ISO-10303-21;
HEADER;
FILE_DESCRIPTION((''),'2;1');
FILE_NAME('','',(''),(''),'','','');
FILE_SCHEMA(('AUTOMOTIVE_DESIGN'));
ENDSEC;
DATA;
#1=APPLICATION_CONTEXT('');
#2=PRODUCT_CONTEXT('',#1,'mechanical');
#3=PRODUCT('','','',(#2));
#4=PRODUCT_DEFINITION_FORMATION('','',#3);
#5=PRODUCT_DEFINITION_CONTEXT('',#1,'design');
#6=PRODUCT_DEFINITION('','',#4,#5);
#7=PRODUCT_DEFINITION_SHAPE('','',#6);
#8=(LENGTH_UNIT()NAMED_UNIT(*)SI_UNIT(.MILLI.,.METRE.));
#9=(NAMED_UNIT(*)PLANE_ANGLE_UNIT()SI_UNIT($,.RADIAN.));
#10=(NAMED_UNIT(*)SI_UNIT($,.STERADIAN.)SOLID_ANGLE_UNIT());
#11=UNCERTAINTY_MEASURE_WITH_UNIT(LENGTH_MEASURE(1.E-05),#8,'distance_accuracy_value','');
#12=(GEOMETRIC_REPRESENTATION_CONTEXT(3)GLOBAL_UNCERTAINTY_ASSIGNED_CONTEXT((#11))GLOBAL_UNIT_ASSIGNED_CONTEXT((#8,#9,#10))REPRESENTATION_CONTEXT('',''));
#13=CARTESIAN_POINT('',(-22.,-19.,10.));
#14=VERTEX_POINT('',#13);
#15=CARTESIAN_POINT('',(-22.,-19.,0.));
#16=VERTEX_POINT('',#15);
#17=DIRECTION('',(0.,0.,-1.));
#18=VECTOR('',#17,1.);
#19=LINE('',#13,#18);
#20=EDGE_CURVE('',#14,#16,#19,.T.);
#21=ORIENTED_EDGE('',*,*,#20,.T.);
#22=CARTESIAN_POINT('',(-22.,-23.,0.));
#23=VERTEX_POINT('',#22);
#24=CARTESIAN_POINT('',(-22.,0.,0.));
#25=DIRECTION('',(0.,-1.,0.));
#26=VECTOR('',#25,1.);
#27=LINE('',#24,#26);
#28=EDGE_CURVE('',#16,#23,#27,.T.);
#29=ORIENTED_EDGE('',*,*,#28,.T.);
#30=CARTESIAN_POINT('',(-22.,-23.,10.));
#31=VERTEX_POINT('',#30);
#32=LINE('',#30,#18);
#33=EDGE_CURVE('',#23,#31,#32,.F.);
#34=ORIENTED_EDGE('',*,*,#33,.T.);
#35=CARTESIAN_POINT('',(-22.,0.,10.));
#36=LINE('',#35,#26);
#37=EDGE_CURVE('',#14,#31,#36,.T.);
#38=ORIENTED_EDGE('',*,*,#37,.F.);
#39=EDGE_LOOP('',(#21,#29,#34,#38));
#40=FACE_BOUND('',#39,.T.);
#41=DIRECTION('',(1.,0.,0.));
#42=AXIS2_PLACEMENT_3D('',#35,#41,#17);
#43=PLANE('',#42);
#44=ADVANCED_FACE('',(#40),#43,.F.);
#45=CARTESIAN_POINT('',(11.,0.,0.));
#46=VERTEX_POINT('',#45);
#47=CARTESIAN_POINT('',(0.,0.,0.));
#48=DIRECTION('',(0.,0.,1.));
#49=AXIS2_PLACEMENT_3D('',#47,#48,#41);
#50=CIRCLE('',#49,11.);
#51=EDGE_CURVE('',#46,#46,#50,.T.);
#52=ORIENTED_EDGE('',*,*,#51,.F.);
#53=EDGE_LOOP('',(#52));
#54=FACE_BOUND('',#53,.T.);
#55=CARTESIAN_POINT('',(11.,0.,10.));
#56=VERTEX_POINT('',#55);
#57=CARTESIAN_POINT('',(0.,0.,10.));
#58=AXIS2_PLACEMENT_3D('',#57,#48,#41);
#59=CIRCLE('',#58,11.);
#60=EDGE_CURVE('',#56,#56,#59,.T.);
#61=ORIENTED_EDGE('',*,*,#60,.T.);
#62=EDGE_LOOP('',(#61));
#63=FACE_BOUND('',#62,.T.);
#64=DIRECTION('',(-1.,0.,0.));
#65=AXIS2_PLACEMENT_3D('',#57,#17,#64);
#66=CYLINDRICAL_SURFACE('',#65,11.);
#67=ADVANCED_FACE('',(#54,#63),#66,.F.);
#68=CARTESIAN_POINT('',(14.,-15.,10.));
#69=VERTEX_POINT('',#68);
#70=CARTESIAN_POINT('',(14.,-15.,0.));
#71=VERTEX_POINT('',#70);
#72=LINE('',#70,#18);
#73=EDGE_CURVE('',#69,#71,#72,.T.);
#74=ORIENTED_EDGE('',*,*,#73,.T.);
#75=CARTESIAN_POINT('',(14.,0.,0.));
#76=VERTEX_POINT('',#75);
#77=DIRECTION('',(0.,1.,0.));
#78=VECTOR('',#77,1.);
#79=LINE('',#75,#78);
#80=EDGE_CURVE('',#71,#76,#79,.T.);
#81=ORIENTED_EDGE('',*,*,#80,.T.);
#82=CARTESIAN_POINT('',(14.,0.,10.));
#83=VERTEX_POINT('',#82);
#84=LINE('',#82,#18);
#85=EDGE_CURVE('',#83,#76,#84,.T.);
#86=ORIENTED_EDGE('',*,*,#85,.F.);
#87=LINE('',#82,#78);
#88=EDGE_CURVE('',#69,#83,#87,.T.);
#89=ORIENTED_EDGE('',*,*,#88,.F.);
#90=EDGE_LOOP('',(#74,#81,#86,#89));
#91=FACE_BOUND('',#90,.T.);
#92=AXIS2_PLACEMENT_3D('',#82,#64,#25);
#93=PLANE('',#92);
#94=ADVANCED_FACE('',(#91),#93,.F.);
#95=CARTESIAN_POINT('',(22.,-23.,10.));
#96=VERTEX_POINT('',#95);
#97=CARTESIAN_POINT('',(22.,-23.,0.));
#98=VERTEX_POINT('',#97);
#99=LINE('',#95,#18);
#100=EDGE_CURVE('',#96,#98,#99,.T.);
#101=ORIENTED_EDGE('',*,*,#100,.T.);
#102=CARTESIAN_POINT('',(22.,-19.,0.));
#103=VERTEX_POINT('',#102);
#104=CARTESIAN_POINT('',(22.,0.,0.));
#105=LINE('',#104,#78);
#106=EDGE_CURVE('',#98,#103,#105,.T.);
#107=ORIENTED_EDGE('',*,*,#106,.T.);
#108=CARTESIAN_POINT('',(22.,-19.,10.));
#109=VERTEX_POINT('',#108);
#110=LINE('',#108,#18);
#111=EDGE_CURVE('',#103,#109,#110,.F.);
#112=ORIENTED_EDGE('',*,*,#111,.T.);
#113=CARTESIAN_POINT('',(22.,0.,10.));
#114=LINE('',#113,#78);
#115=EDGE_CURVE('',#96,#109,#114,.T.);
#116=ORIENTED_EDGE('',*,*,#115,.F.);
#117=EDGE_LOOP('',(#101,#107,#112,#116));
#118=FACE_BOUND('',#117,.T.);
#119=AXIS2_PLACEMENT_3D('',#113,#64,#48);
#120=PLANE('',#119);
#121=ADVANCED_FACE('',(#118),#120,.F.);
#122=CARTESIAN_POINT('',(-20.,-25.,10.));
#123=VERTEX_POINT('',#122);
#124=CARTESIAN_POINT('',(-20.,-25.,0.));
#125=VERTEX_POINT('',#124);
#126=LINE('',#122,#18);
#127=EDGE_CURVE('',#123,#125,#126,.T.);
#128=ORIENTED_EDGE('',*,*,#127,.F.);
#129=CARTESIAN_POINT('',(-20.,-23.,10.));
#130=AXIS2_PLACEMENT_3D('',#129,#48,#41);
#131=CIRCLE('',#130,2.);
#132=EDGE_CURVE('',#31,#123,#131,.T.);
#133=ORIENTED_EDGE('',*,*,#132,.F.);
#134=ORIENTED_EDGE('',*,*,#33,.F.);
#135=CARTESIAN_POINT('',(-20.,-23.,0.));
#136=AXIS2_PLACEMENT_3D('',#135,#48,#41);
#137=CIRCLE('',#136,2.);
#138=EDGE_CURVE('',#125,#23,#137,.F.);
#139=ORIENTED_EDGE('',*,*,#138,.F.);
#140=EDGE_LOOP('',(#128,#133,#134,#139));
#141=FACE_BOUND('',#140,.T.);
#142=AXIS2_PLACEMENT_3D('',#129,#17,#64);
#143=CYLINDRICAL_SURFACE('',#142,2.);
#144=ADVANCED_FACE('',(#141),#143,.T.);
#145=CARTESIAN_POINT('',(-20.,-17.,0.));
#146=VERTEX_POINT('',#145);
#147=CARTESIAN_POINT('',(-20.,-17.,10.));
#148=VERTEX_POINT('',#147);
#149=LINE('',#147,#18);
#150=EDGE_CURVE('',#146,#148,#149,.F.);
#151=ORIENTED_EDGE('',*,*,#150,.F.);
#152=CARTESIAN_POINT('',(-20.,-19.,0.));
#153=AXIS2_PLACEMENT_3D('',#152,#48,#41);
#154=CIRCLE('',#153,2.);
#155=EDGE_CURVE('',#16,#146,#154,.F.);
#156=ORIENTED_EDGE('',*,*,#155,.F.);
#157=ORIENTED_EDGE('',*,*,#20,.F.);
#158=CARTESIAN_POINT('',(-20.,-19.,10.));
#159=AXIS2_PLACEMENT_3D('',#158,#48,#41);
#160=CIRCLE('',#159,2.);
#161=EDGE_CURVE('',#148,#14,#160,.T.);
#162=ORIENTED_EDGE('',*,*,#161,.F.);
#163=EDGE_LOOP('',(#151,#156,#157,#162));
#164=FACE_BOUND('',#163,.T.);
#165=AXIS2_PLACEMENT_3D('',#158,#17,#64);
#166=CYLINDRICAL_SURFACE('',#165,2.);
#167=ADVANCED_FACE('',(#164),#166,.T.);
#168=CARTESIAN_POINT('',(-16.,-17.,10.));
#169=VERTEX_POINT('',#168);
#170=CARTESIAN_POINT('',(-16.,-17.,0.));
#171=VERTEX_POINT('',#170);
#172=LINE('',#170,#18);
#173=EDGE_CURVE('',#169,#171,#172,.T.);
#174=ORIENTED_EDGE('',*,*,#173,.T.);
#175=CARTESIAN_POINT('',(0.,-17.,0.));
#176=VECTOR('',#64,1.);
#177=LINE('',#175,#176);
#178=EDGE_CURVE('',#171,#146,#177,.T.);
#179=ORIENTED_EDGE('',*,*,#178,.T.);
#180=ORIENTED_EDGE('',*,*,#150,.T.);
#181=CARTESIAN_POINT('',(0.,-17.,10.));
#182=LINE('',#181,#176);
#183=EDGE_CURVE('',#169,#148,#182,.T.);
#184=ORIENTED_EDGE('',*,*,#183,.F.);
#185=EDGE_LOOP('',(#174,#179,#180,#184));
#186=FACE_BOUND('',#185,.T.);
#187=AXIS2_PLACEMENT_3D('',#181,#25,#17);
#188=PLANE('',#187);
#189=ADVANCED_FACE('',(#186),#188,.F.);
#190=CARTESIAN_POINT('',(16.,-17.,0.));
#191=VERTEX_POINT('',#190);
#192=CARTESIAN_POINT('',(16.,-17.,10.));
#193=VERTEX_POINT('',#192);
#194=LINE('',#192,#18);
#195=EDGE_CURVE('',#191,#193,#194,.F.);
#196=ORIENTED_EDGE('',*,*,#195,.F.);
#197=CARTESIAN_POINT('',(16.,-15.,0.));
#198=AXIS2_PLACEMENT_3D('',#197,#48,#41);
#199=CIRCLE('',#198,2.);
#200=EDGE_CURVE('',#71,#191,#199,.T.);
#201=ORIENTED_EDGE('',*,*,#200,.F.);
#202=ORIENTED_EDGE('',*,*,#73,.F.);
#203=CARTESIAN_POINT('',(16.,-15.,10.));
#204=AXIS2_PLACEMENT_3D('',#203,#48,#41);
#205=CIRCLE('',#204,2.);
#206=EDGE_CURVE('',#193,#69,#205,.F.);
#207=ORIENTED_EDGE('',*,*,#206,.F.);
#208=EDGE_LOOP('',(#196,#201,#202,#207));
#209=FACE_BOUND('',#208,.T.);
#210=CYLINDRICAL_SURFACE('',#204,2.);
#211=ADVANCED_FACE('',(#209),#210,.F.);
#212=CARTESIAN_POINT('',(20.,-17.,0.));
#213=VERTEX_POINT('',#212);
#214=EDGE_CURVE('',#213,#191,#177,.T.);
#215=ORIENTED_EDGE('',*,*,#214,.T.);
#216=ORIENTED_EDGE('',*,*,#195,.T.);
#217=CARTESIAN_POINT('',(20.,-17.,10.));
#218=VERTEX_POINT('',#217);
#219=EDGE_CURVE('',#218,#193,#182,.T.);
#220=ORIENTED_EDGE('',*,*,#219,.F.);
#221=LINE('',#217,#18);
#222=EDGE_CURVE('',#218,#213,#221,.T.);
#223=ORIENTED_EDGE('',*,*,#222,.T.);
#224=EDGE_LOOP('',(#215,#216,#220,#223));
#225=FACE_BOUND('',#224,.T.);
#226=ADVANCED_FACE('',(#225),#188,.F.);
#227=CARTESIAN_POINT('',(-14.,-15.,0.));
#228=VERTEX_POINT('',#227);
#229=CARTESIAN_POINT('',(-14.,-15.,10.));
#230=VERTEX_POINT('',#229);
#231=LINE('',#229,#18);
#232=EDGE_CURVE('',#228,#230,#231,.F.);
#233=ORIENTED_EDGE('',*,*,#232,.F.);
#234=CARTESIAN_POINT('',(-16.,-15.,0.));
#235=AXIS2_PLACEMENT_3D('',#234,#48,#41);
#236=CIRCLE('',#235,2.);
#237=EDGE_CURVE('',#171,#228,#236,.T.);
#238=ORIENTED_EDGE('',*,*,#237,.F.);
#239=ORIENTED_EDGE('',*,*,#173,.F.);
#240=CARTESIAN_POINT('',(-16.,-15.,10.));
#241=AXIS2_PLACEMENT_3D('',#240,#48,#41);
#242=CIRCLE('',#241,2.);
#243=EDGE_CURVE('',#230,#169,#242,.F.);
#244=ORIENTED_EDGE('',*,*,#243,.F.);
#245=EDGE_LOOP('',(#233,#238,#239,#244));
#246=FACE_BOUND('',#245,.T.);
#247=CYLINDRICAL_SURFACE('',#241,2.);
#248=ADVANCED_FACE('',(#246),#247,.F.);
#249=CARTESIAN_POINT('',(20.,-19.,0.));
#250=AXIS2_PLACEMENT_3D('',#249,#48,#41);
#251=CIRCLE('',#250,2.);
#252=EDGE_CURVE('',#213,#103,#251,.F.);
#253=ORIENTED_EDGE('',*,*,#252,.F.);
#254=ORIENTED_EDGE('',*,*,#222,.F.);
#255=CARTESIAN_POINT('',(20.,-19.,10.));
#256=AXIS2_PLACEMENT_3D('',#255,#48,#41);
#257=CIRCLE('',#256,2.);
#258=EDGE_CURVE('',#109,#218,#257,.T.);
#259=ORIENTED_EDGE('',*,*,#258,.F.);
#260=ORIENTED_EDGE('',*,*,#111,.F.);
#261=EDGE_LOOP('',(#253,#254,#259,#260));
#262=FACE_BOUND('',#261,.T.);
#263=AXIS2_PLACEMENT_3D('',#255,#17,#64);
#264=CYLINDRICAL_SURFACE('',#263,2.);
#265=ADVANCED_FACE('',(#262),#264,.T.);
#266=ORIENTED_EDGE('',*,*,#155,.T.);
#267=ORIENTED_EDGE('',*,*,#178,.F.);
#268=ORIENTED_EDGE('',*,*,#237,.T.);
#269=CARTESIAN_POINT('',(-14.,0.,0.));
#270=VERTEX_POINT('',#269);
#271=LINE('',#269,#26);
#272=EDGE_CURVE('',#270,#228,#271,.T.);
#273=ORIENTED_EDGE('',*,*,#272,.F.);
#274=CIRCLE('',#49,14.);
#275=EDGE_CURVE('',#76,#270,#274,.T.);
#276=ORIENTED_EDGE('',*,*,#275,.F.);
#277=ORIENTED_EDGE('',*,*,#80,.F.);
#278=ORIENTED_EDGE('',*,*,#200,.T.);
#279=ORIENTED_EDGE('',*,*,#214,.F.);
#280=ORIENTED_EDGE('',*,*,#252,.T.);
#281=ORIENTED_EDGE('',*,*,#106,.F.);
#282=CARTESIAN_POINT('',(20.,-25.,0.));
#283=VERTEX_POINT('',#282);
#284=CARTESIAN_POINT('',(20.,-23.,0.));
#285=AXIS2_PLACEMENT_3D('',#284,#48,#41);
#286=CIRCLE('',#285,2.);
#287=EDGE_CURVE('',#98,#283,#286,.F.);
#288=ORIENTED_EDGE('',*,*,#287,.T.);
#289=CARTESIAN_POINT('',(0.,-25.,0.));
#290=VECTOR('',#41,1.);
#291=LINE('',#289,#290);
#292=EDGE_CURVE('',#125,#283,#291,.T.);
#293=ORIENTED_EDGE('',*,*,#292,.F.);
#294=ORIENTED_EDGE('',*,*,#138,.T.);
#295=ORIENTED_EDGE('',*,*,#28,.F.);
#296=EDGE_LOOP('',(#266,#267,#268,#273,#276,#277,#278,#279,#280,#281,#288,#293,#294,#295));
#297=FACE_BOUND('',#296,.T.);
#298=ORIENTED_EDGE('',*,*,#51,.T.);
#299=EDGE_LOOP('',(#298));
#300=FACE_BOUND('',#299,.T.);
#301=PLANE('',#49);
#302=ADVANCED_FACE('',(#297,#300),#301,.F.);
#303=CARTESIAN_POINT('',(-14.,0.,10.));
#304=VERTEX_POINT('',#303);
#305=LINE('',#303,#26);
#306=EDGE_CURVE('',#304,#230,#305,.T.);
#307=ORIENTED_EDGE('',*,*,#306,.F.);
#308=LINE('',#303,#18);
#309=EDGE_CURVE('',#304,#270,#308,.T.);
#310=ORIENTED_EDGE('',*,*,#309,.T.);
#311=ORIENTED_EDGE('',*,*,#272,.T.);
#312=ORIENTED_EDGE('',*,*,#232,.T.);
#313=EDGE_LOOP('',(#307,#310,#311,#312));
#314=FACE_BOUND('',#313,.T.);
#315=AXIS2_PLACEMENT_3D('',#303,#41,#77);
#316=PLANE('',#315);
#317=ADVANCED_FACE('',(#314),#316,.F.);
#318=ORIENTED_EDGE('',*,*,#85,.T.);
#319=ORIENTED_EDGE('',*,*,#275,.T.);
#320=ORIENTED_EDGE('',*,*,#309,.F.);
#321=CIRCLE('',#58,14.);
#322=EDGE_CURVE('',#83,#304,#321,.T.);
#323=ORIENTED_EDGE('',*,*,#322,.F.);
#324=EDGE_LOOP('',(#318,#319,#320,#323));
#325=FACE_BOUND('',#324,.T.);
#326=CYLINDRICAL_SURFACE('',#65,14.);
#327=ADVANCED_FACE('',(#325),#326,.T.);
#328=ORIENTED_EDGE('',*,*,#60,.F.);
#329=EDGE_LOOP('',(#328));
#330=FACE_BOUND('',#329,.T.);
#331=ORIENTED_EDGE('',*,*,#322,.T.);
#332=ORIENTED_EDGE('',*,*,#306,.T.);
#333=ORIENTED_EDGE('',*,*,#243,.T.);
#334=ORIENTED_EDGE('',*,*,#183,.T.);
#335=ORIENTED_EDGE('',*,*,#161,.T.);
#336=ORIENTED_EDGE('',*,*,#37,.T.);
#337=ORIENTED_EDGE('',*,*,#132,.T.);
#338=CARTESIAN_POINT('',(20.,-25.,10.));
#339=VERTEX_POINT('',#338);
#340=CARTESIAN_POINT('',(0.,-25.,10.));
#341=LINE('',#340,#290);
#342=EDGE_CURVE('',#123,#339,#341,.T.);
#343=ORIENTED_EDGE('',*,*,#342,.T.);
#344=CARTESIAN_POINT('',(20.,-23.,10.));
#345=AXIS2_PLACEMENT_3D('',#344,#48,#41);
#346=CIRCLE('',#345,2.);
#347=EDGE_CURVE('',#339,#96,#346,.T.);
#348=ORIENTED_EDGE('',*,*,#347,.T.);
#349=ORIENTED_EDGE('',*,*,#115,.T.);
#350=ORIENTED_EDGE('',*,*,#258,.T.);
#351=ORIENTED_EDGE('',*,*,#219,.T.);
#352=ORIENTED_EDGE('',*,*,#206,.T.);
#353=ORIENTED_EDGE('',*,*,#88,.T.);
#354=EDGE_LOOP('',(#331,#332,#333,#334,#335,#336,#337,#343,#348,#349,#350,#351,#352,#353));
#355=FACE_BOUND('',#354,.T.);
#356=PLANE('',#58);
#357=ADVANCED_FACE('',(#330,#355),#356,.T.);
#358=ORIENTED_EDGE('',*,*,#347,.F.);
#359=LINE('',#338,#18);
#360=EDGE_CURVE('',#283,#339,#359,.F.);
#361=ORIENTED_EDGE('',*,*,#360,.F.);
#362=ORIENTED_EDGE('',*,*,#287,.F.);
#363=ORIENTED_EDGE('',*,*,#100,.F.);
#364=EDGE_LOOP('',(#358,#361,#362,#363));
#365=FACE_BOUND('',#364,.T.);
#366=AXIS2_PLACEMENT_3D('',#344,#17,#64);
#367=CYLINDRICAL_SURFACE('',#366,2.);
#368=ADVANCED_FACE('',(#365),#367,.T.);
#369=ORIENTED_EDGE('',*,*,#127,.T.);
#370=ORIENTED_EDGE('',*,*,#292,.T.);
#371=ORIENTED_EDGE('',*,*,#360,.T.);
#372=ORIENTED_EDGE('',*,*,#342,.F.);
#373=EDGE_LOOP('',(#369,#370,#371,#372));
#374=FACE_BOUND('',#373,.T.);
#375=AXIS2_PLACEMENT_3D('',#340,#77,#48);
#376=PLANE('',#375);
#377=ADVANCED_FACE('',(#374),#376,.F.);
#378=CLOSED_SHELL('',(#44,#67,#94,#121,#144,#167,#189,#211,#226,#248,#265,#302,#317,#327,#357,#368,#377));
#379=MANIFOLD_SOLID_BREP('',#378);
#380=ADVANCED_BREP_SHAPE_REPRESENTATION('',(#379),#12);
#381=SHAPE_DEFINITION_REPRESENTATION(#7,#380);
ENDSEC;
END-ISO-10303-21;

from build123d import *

# Parameters (mm, degrees)
SKETCH1_R           = 14
SKETCH1_R_2         = 11
BOSS_EXTRUDE1_DEPTH = 10
FILLET1_R           = 2


with BuildPart() as part:
    # Sketch1 → Boss-Extrude1 (new body)
    # profile 1 of 2: a face of its own
    with BuildSketch(Plane.XY):
        with BuildLine():
            ThreePointArc((14, 0), (0, -14), (-14, 0))
            Line((-14, 0), (-14, -17))
            Line((-14, -17), (-22, -17))
            Line((-22, -17), (-22, -25))
            Line((-22, -25), (22, -25))
            Line((22, -25), (22, -17))
            Line((22, -17), (14, -17))
            Line((14, -17), (14, 0))
        make_face()
    # profile 2 of 2: a face of its own
    with BuildSketch(Plane.XY):
        Circle(SKETCH1_R)
        Circle(SKETCH1_R_2, mode=Mode.SUBTRACT)
    extrude(amount=BOSS_EXTRUDE1_DEPTH)

    # Fillet1
    fillet1_edges = [part.edges().sort_by_distance(p)[0] for p in [
        (14, -17, 5),
        (22, -17, 5),
        (22, -25, 5),
        (-22, -25, 5),
        (-22, -17, 5),
        (-14, -17, 5),
    ]]
    fillet(fillet1_edges, radius=FILLET1_R)


solid = part.part
